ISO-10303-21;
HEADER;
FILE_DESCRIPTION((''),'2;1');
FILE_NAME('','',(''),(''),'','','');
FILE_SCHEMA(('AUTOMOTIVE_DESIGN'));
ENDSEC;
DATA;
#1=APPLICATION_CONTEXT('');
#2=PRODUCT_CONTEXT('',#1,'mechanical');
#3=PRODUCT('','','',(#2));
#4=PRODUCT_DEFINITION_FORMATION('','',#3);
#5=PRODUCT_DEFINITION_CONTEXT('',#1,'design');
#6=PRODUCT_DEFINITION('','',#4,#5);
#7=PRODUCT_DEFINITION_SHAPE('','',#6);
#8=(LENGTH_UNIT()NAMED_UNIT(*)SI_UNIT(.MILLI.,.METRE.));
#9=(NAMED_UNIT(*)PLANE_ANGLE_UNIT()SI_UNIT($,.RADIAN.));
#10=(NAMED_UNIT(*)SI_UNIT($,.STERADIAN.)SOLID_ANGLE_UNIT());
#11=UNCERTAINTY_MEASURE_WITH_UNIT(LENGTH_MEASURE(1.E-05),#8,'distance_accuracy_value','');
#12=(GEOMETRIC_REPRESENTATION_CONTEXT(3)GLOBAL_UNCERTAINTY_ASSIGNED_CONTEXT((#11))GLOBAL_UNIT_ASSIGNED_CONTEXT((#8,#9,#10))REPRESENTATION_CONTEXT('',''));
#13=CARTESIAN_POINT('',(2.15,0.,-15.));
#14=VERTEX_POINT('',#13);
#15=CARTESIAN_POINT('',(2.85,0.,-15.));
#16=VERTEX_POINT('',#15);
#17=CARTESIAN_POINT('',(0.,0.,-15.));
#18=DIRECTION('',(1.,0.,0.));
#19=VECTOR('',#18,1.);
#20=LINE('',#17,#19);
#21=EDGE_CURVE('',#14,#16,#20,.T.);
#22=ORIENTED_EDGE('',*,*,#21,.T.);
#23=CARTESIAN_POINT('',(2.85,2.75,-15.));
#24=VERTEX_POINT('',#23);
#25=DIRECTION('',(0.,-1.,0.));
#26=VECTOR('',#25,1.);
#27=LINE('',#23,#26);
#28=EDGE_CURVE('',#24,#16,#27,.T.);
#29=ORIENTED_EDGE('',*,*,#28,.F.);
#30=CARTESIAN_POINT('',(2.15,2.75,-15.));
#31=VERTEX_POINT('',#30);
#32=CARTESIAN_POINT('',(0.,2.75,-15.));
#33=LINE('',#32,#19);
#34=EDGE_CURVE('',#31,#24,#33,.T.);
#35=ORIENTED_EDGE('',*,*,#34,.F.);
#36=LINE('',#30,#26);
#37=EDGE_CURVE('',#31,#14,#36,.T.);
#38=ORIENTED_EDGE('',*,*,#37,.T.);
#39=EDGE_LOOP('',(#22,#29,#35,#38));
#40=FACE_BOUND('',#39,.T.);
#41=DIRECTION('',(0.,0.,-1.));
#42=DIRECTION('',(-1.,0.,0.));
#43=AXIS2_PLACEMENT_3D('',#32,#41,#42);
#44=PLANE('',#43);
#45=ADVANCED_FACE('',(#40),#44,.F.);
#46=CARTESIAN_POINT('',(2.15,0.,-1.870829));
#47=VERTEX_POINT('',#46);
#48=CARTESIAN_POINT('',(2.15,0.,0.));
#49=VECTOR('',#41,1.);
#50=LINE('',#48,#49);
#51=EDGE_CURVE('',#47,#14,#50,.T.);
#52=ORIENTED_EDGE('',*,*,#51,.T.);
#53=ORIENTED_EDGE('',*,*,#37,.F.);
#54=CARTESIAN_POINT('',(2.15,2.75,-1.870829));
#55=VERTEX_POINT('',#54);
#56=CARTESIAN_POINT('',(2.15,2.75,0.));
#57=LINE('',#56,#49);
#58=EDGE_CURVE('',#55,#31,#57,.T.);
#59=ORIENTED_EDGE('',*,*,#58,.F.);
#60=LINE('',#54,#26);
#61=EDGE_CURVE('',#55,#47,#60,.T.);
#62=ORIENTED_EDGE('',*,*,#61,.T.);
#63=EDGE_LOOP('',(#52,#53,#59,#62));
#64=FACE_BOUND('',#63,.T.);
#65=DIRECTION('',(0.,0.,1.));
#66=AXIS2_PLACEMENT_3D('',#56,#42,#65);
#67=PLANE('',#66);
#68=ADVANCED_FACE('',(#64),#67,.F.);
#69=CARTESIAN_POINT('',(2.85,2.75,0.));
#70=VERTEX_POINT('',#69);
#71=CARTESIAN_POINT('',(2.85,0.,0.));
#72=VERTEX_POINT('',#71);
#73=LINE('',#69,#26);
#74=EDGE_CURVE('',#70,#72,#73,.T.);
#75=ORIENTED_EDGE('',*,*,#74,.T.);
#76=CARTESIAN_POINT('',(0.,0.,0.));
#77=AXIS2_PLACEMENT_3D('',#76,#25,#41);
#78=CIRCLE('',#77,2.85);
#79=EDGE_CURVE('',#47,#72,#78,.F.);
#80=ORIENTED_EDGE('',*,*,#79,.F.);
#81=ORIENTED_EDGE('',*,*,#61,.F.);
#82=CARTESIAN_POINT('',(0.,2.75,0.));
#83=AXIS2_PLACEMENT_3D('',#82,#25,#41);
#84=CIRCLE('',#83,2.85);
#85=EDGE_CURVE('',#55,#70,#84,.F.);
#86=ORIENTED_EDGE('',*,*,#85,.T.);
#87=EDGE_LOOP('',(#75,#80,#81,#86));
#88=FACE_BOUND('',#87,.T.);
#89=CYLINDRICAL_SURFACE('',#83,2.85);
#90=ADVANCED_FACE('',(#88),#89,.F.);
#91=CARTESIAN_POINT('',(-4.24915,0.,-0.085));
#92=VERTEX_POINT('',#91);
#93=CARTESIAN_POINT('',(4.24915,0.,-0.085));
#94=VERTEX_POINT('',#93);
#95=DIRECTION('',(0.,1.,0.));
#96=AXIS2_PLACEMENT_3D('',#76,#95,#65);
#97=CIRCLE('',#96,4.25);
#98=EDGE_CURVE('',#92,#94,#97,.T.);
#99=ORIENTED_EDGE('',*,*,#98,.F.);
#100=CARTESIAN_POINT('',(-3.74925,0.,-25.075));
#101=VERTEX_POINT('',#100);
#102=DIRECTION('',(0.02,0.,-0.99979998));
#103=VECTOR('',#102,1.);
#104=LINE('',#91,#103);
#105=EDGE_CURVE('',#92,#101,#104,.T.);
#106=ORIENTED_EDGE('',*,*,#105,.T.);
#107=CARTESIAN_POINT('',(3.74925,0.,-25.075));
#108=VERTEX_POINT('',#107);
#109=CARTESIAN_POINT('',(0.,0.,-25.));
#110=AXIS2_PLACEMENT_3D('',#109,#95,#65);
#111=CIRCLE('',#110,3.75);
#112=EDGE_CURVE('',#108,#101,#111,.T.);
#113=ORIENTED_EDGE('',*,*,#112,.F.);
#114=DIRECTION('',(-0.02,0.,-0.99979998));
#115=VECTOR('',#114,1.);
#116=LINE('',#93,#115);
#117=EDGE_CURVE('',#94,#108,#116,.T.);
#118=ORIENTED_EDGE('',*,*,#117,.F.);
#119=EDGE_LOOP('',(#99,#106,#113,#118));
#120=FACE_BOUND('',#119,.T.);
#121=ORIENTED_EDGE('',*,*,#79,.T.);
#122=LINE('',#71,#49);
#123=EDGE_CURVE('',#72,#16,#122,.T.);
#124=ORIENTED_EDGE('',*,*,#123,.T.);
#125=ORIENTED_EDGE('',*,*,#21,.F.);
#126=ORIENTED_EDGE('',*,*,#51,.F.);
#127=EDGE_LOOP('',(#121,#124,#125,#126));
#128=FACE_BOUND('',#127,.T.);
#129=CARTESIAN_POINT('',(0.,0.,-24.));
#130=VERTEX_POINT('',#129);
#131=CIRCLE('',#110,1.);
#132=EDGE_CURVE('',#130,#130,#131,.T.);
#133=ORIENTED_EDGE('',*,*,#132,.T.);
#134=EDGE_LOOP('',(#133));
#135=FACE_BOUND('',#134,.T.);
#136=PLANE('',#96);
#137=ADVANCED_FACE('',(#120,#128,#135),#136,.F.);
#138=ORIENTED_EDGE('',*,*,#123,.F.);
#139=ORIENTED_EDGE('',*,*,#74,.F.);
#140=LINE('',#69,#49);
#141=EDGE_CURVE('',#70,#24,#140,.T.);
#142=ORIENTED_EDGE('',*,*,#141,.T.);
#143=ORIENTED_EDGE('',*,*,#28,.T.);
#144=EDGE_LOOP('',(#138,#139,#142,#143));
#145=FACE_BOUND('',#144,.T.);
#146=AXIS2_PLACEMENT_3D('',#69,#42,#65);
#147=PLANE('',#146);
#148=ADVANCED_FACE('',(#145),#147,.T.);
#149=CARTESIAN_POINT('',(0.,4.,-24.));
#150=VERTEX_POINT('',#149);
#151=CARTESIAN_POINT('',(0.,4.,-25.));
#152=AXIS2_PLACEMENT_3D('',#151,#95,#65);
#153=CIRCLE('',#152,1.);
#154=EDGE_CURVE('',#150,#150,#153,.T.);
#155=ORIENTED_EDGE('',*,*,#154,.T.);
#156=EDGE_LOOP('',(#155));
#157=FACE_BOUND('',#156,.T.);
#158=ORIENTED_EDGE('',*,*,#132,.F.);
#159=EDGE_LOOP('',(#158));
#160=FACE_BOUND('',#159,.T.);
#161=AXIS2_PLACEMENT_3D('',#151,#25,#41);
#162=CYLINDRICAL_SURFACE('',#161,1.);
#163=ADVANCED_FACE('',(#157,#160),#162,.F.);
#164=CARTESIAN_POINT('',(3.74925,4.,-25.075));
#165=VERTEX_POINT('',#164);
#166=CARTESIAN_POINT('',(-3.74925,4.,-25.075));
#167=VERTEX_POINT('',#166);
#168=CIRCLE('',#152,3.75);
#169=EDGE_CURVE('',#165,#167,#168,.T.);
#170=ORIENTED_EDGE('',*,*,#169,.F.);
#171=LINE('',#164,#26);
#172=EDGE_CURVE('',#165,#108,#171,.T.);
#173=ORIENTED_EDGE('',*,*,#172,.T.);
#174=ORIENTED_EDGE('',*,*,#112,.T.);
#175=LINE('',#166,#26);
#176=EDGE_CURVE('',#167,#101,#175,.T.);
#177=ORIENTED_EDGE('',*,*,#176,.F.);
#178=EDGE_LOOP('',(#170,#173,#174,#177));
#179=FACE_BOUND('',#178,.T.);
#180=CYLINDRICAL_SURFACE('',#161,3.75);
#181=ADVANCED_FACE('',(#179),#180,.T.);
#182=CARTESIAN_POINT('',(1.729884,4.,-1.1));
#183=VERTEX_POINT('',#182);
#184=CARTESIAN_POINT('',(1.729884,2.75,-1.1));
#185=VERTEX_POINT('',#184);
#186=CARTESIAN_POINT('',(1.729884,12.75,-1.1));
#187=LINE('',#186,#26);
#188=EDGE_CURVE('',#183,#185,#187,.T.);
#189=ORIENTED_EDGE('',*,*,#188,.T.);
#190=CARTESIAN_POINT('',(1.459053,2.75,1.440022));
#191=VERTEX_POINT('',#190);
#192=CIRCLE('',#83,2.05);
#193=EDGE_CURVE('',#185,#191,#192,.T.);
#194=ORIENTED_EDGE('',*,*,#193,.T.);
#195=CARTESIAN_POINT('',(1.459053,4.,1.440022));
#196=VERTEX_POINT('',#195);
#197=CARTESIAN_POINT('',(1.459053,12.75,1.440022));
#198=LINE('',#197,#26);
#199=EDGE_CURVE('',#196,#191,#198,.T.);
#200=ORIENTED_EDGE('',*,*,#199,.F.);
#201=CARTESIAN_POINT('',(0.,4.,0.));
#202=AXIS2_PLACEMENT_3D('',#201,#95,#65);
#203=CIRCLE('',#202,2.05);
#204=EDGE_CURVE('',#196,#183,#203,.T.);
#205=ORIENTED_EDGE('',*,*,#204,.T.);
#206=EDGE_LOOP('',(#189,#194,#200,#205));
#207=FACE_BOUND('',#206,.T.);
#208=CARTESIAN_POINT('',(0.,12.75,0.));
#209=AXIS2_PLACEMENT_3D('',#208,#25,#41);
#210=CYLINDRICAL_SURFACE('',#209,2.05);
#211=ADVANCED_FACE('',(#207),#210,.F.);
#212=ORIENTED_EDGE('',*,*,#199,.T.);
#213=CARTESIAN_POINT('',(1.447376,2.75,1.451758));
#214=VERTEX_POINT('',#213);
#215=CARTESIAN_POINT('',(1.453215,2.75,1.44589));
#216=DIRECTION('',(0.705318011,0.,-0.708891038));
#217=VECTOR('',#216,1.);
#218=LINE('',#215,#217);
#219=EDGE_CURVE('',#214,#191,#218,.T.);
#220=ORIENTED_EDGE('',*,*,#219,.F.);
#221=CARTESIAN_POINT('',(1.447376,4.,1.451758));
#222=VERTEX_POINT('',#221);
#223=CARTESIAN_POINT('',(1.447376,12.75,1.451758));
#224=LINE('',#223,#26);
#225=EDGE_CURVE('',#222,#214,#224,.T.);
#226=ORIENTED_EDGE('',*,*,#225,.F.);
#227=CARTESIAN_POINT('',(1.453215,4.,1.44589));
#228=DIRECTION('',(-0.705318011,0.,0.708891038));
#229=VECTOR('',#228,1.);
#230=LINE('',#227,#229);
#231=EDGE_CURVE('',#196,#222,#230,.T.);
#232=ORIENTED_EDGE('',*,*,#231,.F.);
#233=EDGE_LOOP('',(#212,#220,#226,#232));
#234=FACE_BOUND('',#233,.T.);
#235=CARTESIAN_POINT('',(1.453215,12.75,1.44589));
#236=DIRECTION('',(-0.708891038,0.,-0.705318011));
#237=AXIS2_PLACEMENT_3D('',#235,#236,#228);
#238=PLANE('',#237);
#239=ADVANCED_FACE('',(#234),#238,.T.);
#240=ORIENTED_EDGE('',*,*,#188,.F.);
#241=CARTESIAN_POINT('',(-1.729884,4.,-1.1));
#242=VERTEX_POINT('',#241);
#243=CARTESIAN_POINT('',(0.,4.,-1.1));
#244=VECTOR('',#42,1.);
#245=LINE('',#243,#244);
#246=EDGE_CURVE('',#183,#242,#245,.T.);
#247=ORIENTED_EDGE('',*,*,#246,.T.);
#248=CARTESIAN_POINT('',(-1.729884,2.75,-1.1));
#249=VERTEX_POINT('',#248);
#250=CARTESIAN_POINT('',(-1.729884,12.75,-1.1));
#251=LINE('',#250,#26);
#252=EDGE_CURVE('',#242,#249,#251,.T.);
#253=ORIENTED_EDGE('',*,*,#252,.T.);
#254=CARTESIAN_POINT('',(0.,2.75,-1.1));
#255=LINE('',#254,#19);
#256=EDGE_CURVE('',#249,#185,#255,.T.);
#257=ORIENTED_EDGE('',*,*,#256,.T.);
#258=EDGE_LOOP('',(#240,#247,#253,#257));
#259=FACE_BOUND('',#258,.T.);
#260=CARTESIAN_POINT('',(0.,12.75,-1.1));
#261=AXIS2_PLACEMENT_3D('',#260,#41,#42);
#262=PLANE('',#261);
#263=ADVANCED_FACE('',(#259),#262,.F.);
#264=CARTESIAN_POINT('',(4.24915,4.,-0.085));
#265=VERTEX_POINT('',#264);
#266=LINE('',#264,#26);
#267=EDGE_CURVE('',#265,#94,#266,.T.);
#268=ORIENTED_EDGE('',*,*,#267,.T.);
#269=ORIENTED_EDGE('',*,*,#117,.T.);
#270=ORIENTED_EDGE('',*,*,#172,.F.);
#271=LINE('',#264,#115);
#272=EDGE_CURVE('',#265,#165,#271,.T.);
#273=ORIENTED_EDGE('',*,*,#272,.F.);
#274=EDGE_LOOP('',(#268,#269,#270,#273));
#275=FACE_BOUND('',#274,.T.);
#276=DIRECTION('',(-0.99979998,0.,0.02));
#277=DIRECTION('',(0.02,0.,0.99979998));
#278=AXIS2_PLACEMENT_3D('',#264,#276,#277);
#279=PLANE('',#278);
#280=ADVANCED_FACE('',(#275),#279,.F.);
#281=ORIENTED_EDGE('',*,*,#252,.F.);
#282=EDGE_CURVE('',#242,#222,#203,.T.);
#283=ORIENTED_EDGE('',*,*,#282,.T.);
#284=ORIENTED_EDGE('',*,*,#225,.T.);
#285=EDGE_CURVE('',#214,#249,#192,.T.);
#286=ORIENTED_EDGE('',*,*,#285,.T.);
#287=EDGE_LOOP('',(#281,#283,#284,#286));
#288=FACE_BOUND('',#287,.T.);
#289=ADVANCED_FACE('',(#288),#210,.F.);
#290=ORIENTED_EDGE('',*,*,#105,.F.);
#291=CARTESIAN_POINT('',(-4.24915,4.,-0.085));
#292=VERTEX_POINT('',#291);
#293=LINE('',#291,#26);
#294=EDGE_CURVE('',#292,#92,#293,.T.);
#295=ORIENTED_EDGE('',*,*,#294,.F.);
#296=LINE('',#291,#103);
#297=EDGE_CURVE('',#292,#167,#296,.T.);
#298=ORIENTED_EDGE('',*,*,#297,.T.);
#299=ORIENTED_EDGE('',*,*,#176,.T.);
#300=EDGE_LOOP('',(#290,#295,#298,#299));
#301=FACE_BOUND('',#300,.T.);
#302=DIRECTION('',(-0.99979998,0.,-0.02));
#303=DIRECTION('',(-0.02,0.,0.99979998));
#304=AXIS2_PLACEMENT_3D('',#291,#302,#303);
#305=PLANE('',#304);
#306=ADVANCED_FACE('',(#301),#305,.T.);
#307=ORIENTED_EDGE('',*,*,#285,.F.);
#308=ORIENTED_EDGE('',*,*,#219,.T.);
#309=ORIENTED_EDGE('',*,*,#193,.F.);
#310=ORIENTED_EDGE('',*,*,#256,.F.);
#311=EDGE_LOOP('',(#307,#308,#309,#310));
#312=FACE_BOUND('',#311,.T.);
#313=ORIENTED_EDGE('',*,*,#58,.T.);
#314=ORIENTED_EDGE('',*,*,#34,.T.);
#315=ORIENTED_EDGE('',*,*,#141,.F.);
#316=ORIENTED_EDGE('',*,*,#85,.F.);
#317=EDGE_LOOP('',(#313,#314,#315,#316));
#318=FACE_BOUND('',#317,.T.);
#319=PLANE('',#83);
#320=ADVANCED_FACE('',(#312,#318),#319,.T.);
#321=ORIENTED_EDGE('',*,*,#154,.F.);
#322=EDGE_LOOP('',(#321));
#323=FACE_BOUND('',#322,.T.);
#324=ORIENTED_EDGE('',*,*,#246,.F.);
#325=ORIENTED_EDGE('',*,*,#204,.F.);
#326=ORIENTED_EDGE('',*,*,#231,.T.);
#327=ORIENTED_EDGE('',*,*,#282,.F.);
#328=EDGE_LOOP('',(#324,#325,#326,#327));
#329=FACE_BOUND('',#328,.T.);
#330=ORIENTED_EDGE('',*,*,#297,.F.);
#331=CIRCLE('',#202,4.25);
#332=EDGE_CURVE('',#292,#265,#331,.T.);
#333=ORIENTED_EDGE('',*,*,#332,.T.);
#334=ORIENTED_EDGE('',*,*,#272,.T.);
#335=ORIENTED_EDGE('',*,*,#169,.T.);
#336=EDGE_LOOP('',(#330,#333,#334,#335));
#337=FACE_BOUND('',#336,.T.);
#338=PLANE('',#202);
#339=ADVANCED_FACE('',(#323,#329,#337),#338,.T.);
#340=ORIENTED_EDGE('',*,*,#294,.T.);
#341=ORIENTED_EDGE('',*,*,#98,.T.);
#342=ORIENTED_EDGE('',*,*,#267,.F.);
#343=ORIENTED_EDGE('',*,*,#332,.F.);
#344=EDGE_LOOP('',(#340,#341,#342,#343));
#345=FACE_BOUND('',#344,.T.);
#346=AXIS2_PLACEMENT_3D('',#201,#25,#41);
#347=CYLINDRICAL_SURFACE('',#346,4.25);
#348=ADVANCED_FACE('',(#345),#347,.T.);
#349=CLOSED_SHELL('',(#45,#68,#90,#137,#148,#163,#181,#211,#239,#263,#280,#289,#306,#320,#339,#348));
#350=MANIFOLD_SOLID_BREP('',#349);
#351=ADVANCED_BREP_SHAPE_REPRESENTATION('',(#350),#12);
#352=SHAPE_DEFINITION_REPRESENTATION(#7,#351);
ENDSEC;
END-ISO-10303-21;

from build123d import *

# Parameters (mm, degrees)
SKETCH1_R           = 1
BOSS_EXTRUDE1_DEPTH = 4
CUT_EXTRUDE1_DEPTH  = 2.75
CUT_EXTRUDE4_DEPTH  = 10


with BuildPart() as part:
    # Sketch1 → Boss-Extrude1 (new body)
    with BuildSketch(Plane(origin=(0, 0, 0), x_dir=(1, 0, 0), z_dir=(0, 1, 0))):
        with BuildLine():
            Line((-3.749249925, 25.075), (-4.249149915, 0.085))
            ThreePointArc((-4.249149915, 0.085), (0, -4.25), (4.249149915, 0.085))
            Line((4.249149915, 0.085), (3.749249925, 25.075))
            ThreePointArc((3.749249925, 25.075), (0, 28.75), (-3.749249925, 25.075))
        make_face()
        with Locations((0, 25)):
            Circle(SKETCH1_R, mode=Mode.SUBTRACT)
    extrude(amount=BOSS_EXTRUDE1_DEPTH)

    # Sketch2 → Cut-Extrude1 (cut)
    with BuildSketch(Plane(origin=(0, 0, 0), x_dir=(1, 0, 0), z_dir=(0, 1, 0))):
        with BuildLine():
            ThreePointArc((2.15, 1.870828693), (-2.669269563, -0.998749218), (2.85, 0))
            ThreePointArc((2.85, 0), (2.669269563, 0.998749218), (2.15, 1.870828693))
        make_face()
        with BuildLine():
            ThreePointArc((2.15, 1.870828693), (2.669269563, 0.998749218), (2.85, 0))
            Line((2.85, 0), (2.85, 15))
            Line((2.85, 15), (2.15, 15))
            Line((2.15, 15), (2.15, 1.870828693))
        make_face()
    extrude(amount=CUT_EXTRUDE1_DEPTH, mode=Mode.SUBTRACT)

    # Sketch4 → Cut-Extrude4 (cut)
    with BuildSketch(Plane.XZ.offset(-2.75)):
        with BuildLine():
            Line((1.459053249, 1.440022089), (1.447376313, 1.451758179))
            ThreePointArc((1.447376313, 1.451758179), (-1.283674473, 1.598336587), (-1.729884389, -1.1))
            Line((-1.729884389, -1.1), (1.729884389, -1.1))
            ThreePointArc((1.729884389, -1.1), (2.038445209, 0.217350252), (1.459053249, 1.440022089))
        make_face()
    extrude(amount=-CUT_EXTRUDE4_DEPTH, mode=Mode.SUBTRACT)


solid = part.part
